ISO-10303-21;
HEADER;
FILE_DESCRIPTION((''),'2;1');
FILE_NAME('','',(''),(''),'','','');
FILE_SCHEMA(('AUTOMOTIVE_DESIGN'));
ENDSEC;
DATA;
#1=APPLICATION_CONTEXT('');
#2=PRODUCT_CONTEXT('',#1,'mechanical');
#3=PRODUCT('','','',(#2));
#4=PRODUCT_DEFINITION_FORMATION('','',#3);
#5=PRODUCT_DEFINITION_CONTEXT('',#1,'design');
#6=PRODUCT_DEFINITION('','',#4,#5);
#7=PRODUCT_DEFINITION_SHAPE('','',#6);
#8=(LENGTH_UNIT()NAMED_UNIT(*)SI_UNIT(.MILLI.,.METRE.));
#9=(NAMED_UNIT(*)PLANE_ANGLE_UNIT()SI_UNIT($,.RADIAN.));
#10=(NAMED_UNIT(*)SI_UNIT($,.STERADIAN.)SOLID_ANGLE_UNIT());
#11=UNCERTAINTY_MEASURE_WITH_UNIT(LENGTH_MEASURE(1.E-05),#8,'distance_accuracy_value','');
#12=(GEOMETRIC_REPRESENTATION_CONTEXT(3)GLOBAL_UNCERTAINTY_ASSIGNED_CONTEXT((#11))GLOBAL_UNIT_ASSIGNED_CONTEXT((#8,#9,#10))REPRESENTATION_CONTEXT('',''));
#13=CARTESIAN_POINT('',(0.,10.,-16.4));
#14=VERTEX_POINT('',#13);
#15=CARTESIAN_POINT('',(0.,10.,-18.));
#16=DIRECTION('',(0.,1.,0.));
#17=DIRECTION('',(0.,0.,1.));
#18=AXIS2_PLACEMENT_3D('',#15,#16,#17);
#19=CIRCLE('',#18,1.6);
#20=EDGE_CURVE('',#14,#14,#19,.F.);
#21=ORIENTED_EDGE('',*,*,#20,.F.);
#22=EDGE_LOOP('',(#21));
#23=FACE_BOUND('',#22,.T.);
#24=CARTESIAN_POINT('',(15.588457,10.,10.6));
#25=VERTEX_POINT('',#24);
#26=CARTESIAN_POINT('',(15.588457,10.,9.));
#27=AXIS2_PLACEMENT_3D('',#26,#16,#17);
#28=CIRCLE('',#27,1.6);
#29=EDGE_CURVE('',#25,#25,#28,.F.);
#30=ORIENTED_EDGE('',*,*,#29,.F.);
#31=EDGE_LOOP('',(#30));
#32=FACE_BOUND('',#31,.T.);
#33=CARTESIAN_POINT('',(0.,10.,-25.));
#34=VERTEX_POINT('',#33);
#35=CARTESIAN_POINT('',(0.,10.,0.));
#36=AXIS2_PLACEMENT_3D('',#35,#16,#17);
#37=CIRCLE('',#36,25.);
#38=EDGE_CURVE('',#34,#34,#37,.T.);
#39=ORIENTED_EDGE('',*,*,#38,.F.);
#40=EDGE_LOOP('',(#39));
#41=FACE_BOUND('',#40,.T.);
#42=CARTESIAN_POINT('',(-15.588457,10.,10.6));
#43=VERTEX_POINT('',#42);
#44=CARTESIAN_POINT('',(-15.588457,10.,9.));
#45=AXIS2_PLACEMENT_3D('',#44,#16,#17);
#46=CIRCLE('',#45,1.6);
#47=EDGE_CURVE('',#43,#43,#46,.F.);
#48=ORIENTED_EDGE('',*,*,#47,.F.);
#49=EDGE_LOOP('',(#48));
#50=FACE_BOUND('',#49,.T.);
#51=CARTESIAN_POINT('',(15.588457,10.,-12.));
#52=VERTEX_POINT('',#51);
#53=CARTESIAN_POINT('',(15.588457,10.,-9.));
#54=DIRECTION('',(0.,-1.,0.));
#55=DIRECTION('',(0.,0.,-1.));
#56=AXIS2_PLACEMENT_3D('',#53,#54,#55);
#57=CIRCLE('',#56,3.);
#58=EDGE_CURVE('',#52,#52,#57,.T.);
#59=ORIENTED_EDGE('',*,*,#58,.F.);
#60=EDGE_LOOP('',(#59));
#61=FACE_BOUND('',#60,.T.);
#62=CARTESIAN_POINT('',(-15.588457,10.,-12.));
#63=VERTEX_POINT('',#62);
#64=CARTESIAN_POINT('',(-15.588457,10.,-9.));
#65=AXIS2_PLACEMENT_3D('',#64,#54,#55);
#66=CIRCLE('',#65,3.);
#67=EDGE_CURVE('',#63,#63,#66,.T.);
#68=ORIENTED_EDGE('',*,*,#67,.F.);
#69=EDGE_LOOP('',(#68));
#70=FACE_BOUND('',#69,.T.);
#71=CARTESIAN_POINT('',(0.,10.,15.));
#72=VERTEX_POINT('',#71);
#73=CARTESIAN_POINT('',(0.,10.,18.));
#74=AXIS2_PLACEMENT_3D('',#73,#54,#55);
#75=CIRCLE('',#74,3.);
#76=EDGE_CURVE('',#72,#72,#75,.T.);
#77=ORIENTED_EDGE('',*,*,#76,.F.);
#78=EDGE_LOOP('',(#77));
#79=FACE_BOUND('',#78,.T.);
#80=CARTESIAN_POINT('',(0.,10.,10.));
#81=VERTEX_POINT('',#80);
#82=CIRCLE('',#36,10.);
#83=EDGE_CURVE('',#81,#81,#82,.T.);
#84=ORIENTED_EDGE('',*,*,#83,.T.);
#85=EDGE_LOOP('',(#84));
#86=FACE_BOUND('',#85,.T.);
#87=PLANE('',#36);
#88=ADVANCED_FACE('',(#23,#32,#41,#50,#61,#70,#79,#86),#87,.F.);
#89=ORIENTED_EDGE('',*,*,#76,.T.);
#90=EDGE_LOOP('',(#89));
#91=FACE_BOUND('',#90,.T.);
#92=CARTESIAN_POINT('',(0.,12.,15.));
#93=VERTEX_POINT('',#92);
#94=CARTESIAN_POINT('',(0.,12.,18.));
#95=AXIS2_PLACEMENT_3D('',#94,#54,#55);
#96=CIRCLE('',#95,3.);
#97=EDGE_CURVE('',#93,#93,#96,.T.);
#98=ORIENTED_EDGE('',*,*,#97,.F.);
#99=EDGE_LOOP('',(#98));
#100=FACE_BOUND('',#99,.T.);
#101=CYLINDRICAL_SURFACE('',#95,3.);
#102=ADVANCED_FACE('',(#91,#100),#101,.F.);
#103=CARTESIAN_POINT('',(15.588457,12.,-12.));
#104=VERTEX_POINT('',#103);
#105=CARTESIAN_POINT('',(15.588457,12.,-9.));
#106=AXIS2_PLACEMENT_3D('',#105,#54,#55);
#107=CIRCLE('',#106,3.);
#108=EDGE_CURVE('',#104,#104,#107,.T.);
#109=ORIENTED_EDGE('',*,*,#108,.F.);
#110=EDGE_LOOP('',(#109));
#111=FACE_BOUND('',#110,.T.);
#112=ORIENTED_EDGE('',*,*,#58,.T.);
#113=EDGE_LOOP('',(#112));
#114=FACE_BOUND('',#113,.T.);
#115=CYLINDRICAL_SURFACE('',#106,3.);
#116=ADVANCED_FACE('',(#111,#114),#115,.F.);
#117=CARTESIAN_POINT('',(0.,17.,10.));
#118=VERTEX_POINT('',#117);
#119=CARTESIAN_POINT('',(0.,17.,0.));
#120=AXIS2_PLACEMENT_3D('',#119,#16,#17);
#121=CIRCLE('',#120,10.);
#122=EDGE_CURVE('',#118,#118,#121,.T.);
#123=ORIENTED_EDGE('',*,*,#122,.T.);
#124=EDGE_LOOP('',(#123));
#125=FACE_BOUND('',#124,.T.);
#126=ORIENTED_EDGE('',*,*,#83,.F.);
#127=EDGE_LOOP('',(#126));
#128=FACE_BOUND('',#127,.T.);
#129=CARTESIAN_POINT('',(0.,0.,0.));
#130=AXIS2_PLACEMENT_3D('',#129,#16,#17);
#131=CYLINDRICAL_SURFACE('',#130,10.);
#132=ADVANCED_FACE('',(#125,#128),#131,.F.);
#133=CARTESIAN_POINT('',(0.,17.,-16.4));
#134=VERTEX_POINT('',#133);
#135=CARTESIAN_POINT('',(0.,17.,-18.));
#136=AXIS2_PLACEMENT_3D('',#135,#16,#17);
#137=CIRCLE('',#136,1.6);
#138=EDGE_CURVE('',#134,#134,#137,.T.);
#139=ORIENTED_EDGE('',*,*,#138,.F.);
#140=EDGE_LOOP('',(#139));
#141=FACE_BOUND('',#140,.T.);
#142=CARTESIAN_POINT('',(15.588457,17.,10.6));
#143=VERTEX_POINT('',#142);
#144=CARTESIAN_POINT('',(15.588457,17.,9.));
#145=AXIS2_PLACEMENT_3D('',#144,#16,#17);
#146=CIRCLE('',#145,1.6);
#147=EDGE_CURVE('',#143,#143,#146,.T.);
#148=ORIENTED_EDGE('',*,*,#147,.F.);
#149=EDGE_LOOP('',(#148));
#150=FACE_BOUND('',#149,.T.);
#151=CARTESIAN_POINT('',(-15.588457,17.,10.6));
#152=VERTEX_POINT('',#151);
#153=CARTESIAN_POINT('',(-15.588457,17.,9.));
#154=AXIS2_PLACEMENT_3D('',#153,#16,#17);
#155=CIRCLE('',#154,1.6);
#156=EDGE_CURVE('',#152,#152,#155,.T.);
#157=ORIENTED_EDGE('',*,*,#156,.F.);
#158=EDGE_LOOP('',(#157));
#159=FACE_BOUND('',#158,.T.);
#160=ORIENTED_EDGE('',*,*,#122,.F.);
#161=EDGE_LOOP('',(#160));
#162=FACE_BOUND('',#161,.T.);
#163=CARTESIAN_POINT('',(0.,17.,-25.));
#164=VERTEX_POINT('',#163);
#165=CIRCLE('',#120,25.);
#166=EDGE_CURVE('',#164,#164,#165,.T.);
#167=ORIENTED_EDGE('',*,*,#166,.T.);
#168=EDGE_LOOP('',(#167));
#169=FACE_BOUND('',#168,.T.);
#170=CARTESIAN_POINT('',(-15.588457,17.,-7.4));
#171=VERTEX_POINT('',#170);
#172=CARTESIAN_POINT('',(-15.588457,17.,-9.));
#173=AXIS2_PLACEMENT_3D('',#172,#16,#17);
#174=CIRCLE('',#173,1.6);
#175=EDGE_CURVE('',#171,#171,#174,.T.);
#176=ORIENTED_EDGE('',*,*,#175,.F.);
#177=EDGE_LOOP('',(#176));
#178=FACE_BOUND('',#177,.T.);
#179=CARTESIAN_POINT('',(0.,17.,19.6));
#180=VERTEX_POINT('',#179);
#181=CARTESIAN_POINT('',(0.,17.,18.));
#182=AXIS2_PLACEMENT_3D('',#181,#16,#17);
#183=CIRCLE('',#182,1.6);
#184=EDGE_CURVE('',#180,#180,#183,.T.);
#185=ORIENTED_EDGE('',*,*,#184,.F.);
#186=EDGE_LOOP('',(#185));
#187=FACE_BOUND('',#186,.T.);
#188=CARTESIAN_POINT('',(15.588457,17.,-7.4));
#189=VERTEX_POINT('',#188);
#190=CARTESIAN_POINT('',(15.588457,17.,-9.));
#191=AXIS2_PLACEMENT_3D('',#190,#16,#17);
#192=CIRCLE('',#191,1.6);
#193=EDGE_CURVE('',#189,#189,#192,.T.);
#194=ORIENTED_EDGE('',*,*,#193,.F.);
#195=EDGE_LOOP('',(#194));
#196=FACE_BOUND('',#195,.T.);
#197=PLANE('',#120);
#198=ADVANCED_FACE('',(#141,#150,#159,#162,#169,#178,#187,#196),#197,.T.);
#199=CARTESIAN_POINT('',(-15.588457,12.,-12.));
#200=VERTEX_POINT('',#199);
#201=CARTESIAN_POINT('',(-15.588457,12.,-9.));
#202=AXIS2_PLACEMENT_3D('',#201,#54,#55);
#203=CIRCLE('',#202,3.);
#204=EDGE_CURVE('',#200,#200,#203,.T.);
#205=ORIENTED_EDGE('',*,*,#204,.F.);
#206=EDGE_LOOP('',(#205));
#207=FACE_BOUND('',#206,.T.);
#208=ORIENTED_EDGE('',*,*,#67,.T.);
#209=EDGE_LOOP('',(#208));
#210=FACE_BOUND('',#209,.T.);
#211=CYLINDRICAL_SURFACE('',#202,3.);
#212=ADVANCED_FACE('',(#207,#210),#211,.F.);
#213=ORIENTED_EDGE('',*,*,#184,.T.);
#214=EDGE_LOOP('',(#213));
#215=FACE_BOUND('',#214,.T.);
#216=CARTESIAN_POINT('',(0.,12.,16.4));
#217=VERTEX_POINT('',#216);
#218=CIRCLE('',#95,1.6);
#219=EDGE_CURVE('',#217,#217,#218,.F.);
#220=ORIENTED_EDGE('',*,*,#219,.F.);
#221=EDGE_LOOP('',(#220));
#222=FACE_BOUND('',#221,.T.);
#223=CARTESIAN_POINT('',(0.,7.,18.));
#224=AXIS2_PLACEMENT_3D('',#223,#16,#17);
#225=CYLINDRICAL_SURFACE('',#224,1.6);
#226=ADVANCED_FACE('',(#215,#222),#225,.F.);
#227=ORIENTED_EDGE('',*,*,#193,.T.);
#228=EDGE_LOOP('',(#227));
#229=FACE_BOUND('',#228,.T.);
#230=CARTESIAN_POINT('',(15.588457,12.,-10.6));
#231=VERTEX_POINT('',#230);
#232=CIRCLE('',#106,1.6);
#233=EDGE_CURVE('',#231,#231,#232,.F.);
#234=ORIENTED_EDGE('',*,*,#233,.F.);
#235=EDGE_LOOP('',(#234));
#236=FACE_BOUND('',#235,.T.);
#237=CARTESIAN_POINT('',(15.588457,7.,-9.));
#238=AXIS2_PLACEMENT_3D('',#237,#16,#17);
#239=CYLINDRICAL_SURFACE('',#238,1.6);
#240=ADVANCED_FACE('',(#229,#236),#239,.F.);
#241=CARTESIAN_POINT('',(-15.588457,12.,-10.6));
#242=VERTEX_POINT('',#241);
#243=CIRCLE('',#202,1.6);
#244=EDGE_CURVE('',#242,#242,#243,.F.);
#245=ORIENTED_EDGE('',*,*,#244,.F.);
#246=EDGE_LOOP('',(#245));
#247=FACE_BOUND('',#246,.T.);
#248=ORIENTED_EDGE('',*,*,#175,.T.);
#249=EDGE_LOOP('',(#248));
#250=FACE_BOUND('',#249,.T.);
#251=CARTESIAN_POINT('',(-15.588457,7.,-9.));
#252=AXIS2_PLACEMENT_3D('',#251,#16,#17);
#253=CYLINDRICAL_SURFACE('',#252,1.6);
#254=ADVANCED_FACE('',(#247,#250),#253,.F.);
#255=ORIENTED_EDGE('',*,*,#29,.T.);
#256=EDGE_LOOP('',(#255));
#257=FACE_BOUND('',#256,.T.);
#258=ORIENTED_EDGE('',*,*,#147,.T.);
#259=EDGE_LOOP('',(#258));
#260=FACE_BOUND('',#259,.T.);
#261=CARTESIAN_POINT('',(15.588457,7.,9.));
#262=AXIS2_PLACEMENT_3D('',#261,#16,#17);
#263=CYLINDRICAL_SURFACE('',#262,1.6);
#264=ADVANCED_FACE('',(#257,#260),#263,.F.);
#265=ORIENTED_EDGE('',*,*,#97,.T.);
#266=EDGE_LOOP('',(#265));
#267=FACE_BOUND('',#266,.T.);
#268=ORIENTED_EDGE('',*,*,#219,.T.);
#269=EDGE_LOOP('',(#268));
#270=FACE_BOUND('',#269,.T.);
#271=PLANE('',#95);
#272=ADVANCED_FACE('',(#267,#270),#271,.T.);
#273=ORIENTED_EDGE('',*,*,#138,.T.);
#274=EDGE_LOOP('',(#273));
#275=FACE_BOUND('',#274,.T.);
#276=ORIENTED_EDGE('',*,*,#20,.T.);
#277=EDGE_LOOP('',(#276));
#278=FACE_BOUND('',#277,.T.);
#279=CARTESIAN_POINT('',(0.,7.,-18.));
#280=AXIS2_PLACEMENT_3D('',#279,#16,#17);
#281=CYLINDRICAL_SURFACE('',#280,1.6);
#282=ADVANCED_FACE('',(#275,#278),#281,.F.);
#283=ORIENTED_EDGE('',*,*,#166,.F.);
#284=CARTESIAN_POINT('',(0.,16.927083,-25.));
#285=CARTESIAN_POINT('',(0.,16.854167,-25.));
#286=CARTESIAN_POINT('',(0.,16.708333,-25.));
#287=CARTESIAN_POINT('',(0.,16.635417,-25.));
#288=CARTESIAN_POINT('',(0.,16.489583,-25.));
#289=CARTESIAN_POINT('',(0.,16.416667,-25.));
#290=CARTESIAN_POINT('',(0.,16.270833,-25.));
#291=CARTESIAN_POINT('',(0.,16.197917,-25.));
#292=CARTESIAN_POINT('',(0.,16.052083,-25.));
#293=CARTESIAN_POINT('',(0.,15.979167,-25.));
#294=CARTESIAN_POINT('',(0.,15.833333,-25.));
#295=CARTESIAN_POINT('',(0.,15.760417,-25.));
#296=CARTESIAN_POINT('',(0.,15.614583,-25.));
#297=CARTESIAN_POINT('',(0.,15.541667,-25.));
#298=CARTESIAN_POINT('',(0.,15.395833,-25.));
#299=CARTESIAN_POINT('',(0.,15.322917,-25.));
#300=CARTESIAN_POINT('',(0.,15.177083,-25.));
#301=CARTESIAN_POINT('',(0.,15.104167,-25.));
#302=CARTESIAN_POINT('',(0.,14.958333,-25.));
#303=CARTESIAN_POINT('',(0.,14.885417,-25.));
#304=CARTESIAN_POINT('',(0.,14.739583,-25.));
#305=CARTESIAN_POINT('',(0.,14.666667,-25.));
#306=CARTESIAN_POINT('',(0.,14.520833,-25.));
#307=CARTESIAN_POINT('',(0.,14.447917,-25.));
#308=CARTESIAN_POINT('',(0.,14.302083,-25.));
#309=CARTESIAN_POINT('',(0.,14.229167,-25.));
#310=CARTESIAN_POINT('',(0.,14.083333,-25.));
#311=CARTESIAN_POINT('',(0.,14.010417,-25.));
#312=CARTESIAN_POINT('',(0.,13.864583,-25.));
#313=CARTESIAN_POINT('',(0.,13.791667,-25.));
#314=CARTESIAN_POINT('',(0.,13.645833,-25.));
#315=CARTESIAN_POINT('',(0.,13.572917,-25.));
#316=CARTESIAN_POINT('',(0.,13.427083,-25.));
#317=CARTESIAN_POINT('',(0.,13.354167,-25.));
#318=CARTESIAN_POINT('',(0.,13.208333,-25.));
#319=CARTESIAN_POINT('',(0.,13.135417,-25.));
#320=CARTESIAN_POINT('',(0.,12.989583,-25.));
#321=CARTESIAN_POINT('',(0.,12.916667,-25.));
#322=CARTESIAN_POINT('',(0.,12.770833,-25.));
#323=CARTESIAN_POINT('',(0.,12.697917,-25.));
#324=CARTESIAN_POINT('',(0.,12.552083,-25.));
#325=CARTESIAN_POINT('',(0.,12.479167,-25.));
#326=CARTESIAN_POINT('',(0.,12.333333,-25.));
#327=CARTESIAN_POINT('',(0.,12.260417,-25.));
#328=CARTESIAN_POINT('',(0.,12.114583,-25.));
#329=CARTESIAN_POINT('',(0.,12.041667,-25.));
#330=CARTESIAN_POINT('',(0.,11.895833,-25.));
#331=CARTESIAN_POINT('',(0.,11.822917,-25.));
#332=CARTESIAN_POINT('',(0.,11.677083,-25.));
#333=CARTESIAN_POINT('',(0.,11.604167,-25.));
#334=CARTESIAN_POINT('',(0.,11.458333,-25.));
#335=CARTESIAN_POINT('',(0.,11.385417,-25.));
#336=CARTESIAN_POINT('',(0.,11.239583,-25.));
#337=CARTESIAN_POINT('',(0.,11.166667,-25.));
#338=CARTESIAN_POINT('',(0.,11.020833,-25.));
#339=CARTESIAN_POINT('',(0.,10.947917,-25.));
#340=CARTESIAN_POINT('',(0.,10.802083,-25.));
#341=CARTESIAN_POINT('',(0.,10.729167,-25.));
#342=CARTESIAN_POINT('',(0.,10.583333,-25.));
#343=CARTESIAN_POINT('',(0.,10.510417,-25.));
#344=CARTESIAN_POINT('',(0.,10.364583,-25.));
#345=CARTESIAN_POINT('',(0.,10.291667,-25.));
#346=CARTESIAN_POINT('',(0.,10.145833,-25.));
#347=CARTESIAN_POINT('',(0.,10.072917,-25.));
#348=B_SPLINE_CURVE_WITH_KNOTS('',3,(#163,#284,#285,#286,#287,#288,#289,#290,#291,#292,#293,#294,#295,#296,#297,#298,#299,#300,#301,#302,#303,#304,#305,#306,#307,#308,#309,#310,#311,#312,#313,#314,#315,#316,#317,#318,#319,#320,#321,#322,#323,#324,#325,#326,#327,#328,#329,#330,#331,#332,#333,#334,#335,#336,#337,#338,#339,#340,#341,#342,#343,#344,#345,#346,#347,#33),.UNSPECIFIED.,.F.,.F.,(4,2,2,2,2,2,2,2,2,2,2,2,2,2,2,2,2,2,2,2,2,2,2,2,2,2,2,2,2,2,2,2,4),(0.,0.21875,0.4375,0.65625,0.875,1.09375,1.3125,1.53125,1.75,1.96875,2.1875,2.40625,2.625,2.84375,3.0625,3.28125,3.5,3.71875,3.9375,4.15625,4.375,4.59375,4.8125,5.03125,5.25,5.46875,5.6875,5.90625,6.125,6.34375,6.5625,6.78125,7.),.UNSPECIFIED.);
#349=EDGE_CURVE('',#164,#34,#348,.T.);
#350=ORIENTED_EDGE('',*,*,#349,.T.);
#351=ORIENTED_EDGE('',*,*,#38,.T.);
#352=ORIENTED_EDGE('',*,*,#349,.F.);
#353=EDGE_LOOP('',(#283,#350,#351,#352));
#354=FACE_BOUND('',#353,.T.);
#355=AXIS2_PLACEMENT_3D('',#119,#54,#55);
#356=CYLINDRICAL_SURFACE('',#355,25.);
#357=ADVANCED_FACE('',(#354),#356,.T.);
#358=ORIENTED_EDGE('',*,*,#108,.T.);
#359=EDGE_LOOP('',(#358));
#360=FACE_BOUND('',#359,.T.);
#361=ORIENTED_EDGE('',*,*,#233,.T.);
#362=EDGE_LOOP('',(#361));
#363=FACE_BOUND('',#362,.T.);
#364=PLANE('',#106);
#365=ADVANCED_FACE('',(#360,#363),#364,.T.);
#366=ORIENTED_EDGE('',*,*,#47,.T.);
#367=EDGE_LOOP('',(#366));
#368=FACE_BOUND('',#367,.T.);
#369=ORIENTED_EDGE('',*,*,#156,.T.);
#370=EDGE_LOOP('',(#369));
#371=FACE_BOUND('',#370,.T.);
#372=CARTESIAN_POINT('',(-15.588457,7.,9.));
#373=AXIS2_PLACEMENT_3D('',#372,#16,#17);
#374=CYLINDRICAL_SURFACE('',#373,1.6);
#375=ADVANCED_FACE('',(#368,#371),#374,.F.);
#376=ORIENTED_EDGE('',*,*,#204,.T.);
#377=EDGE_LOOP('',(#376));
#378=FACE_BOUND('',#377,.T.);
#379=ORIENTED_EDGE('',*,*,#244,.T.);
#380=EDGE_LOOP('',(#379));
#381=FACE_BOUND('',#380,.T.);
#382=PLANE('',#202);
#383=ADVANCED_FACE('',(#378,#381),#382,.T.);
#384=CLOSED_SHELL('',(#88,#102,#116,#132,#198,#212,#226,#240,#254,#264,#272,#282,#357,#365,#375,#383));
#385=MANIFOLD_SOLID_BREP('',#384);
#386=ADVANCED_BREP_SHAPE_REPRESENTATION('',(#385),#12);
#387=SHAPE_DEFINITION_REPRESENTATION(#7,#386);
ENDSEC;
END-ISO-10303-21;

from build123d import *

# Parameters (mm, degrees)
SKETCH1_R             = 3
BOSS_EXTRUDE1_DEPTH   = 10
BOSS_EXTRUDE1_2_DEPTH = 10
BOSS_EXTRUDE1_3_DEPTH = 10
BOSS_EXTRUDE1_4_DEPTH = 10
BOSS_EXTRUDE1_5_DEPTH = 10
BOSS_EXTRUDE1_6_DEPTH = 10
SKETCH2_R             = 25
BOSS_EXTRUDE2_DEPTH   = 7
SKETCH3_R             = 10
CUT_EXTRUDE1_DEPTH    = 40.230090492
SKETCH4_R             = 1.6
CUT_EXTRUDE2_DEPTH    = 10
SKETCH5_W             = 46.619491236
SKETCH5_H             = 46.698911153
CUT_EXTRUDE3_DEPTH    = 10
SKETCH6_R             = 3
CUT_EXTRUDE4_DEPTH    = 2


with BuildPart() as part:
    # Sketch1 → Boss-Extrude1 (new body)
    with BuildSketch(Plane(origin=(0, 0, 0), x_dir=(1, 0, 0), z_dir=(0, 1, 0))):
        with Locations(Location((0, 18, 0), (0, 0, 270))):
            Circle(SKETCH1_R)
    extrude(amount=BOSS_EXTRUDE1_DEPTH)



with BuildPart() as body_2:
    # Sketch1 → Boss-Extrude1 2 (new body)
    with BuildSketch(Plane(origin=(0, 0, 0), x_dir=(1, 0, 0), z_dir=(0, 1, 0))):
        with Locations(Location((15.588457268, 9, 0), (0, 0, 270))):
            Circle(SKETCH1_R)
    extrude(amount=BOSS_EXTRUDE1_2_DEPTH)


with BuildPart() as body_3:
    # Sketch1 → Boss-Extrude1 3 (new body)
    with BuildSketch(Plane(origin=(0, 0, 0), x_dir=(1, 0, 0), z_dir=(0, 1, 0))):
        with Locations(Location((15.588457268, -9, 0), (0, 0, 270))):
            Circle(SKETCH1_R)
    extrude(amount=BOSS_EXTRUDE1_3_DEPTH)


with BuildPart() as body_4:
    # Sketch1 → Boss-Extrude1 4 (new body)
    with BuildSketch(Plane(origin=(0, 0, 0), x_dir=(1, 0, 0), z_dir=(0, 1, 0))):
        with Locations(Location((0, -18, 0), (0, 0, 270))):
            Circle(SKETCH1_R)
    extrude(amount=BOSS_EXTRUDE1_4_DEPTH)


with BuildPart() as body_5:
    # Sketch1 → Boss-Extrude1 5 (new body)
    with BuildSketch(Plane(origin=(0, 0, 0), x_dir=(1, 0, 0), z_dir=(0, 1, 0))):
        with Locations(Location((-15.588457268, -9, 0), (0, 0, 270))):
            Circle(SKETCH1_R)
    extrude(amount=BOSS_EXTRUDE1_5_DEPTH)


with BuildPart() as body_6:
    # Sketch1 → Boss-Extrude1 6 (new body)
    with BuildSketch(Plane(origin=(0, 0, 0), x_dir=(1, 0, 0), z_dir=(0, 1, 0))):
        with Locations(Location((-15.588457268, 9, 0), (0, 0, 270))):
            Circle(SKETCH1_R)
    extrude(amount=BOSS_EXTRUDE1_6_DEPTH)


with BuildPart() as part_1:
    add(part.part)

    add(body_2.part)  # Boss-Extrude2 merges body 2

    add(body_3.part)  # Boss-Extrude2 merges body 3

    add(body_4.part)  # Boss-Extrude2 merges body 4

    add(body_5.part)  # Boss-Extrude2 merges body 5

    add(body_6.part)  # Boss-Extrude2 merges body 6
    # Sketch2 → Boss-Extrude2 (add)
    with BuildSketch(Plane(origin=(0, 10, 0), x_dir=(1, 0, 0), z_dir=(0, 1, 0))):
        with Locations(Location((0, 0, 0), (0, 0, 90))):
            Circle(SKETCH2_R)
    extrude(amount=BOSS_EXTRUDE2_DEPTH)

    # Sketch3 → Cut-Extrude1 (cut, through all)
    with BuildSketch(Plane(origin=(0, 17, 0), x_dir=(1, 0, 0), z_dir=(0, 1, 0))):
        with Locations(Location((0, 0, 0), (0, 0, 270))):
            Circle(SKETCH3_R)
    extrude(amount=-CUT_EXTRUDE1_DEPTH, mode=Mode.SUBTRACT)

    # Sketch4 → Cut-Extrude2 (cut)
    with BuildSketch(Plane(origin=(0, 17, 0), x_dir=(1, 0, 0), z_dir=(0, 1, 0))):
        with Locations(Location((0, 18, 0), (0, 0, 270))):
            Circle(SKETCH4_R)
        with Locations(Location((15.588457268, 9, 0), (0, 0, 270))):
            Circle(SKETCH4_R)
        with Locations(Location((15.588457268, -9, 0), (0, 0, 270))):
            Circle(SKETCH4_R)
        with Locations(Location((0, -18, 0), (0, 0, 270))):
            Circle(SKETCH4_R)
        with Locations(Location((-15.588457268, -9, 0), (0, 0, 270))):
            Circle(SKETCH4_R)
        with Locations(Location((-15.588457268, 9, 0), (0, 0, 270))):
            Circle(SKETCH4_R)
    extrude(amount=-CUT_EXTRUDE2_DEPTH, mode=Mode.SUBTRACT)

    # Sketch5 → Cut-Extrude3 (cut)
    with BuildSketch(Plane.XZ):
        with Locations((3.295926552, -0.079419917)):
            Rectangle(SKETCH5_W, SKETCH5_H)
    extrude(amount=-CUT_EXTRUDE3_DEPTH, mode=Mode.SUBTRACT)

    # Sketch6 → Cut-Extrude4 (cut)
    with BuildSketch(Plane(origin=(0, 10, 0), x_dir=(-1, 0, 0), z_dir=(0, -1, 0))):
        with Locations(Location((0, -18, 0), (0, 0, 90))):
            Circle(SKETCH6_R)
        with Locations(Location((15.588457268, 9, 0), (0, 0, 90))):
            Circle(SKETCH6_R)
        with Locations(Location((-15.588457268, 9, 0), (0, 0, 90))):
            Circle(SKETCH6_R)
    extrude(amount=-CUT_EXTRUDE4_DEPTH, mode=Mode.SUBTRACT)


solid = part_1.part
